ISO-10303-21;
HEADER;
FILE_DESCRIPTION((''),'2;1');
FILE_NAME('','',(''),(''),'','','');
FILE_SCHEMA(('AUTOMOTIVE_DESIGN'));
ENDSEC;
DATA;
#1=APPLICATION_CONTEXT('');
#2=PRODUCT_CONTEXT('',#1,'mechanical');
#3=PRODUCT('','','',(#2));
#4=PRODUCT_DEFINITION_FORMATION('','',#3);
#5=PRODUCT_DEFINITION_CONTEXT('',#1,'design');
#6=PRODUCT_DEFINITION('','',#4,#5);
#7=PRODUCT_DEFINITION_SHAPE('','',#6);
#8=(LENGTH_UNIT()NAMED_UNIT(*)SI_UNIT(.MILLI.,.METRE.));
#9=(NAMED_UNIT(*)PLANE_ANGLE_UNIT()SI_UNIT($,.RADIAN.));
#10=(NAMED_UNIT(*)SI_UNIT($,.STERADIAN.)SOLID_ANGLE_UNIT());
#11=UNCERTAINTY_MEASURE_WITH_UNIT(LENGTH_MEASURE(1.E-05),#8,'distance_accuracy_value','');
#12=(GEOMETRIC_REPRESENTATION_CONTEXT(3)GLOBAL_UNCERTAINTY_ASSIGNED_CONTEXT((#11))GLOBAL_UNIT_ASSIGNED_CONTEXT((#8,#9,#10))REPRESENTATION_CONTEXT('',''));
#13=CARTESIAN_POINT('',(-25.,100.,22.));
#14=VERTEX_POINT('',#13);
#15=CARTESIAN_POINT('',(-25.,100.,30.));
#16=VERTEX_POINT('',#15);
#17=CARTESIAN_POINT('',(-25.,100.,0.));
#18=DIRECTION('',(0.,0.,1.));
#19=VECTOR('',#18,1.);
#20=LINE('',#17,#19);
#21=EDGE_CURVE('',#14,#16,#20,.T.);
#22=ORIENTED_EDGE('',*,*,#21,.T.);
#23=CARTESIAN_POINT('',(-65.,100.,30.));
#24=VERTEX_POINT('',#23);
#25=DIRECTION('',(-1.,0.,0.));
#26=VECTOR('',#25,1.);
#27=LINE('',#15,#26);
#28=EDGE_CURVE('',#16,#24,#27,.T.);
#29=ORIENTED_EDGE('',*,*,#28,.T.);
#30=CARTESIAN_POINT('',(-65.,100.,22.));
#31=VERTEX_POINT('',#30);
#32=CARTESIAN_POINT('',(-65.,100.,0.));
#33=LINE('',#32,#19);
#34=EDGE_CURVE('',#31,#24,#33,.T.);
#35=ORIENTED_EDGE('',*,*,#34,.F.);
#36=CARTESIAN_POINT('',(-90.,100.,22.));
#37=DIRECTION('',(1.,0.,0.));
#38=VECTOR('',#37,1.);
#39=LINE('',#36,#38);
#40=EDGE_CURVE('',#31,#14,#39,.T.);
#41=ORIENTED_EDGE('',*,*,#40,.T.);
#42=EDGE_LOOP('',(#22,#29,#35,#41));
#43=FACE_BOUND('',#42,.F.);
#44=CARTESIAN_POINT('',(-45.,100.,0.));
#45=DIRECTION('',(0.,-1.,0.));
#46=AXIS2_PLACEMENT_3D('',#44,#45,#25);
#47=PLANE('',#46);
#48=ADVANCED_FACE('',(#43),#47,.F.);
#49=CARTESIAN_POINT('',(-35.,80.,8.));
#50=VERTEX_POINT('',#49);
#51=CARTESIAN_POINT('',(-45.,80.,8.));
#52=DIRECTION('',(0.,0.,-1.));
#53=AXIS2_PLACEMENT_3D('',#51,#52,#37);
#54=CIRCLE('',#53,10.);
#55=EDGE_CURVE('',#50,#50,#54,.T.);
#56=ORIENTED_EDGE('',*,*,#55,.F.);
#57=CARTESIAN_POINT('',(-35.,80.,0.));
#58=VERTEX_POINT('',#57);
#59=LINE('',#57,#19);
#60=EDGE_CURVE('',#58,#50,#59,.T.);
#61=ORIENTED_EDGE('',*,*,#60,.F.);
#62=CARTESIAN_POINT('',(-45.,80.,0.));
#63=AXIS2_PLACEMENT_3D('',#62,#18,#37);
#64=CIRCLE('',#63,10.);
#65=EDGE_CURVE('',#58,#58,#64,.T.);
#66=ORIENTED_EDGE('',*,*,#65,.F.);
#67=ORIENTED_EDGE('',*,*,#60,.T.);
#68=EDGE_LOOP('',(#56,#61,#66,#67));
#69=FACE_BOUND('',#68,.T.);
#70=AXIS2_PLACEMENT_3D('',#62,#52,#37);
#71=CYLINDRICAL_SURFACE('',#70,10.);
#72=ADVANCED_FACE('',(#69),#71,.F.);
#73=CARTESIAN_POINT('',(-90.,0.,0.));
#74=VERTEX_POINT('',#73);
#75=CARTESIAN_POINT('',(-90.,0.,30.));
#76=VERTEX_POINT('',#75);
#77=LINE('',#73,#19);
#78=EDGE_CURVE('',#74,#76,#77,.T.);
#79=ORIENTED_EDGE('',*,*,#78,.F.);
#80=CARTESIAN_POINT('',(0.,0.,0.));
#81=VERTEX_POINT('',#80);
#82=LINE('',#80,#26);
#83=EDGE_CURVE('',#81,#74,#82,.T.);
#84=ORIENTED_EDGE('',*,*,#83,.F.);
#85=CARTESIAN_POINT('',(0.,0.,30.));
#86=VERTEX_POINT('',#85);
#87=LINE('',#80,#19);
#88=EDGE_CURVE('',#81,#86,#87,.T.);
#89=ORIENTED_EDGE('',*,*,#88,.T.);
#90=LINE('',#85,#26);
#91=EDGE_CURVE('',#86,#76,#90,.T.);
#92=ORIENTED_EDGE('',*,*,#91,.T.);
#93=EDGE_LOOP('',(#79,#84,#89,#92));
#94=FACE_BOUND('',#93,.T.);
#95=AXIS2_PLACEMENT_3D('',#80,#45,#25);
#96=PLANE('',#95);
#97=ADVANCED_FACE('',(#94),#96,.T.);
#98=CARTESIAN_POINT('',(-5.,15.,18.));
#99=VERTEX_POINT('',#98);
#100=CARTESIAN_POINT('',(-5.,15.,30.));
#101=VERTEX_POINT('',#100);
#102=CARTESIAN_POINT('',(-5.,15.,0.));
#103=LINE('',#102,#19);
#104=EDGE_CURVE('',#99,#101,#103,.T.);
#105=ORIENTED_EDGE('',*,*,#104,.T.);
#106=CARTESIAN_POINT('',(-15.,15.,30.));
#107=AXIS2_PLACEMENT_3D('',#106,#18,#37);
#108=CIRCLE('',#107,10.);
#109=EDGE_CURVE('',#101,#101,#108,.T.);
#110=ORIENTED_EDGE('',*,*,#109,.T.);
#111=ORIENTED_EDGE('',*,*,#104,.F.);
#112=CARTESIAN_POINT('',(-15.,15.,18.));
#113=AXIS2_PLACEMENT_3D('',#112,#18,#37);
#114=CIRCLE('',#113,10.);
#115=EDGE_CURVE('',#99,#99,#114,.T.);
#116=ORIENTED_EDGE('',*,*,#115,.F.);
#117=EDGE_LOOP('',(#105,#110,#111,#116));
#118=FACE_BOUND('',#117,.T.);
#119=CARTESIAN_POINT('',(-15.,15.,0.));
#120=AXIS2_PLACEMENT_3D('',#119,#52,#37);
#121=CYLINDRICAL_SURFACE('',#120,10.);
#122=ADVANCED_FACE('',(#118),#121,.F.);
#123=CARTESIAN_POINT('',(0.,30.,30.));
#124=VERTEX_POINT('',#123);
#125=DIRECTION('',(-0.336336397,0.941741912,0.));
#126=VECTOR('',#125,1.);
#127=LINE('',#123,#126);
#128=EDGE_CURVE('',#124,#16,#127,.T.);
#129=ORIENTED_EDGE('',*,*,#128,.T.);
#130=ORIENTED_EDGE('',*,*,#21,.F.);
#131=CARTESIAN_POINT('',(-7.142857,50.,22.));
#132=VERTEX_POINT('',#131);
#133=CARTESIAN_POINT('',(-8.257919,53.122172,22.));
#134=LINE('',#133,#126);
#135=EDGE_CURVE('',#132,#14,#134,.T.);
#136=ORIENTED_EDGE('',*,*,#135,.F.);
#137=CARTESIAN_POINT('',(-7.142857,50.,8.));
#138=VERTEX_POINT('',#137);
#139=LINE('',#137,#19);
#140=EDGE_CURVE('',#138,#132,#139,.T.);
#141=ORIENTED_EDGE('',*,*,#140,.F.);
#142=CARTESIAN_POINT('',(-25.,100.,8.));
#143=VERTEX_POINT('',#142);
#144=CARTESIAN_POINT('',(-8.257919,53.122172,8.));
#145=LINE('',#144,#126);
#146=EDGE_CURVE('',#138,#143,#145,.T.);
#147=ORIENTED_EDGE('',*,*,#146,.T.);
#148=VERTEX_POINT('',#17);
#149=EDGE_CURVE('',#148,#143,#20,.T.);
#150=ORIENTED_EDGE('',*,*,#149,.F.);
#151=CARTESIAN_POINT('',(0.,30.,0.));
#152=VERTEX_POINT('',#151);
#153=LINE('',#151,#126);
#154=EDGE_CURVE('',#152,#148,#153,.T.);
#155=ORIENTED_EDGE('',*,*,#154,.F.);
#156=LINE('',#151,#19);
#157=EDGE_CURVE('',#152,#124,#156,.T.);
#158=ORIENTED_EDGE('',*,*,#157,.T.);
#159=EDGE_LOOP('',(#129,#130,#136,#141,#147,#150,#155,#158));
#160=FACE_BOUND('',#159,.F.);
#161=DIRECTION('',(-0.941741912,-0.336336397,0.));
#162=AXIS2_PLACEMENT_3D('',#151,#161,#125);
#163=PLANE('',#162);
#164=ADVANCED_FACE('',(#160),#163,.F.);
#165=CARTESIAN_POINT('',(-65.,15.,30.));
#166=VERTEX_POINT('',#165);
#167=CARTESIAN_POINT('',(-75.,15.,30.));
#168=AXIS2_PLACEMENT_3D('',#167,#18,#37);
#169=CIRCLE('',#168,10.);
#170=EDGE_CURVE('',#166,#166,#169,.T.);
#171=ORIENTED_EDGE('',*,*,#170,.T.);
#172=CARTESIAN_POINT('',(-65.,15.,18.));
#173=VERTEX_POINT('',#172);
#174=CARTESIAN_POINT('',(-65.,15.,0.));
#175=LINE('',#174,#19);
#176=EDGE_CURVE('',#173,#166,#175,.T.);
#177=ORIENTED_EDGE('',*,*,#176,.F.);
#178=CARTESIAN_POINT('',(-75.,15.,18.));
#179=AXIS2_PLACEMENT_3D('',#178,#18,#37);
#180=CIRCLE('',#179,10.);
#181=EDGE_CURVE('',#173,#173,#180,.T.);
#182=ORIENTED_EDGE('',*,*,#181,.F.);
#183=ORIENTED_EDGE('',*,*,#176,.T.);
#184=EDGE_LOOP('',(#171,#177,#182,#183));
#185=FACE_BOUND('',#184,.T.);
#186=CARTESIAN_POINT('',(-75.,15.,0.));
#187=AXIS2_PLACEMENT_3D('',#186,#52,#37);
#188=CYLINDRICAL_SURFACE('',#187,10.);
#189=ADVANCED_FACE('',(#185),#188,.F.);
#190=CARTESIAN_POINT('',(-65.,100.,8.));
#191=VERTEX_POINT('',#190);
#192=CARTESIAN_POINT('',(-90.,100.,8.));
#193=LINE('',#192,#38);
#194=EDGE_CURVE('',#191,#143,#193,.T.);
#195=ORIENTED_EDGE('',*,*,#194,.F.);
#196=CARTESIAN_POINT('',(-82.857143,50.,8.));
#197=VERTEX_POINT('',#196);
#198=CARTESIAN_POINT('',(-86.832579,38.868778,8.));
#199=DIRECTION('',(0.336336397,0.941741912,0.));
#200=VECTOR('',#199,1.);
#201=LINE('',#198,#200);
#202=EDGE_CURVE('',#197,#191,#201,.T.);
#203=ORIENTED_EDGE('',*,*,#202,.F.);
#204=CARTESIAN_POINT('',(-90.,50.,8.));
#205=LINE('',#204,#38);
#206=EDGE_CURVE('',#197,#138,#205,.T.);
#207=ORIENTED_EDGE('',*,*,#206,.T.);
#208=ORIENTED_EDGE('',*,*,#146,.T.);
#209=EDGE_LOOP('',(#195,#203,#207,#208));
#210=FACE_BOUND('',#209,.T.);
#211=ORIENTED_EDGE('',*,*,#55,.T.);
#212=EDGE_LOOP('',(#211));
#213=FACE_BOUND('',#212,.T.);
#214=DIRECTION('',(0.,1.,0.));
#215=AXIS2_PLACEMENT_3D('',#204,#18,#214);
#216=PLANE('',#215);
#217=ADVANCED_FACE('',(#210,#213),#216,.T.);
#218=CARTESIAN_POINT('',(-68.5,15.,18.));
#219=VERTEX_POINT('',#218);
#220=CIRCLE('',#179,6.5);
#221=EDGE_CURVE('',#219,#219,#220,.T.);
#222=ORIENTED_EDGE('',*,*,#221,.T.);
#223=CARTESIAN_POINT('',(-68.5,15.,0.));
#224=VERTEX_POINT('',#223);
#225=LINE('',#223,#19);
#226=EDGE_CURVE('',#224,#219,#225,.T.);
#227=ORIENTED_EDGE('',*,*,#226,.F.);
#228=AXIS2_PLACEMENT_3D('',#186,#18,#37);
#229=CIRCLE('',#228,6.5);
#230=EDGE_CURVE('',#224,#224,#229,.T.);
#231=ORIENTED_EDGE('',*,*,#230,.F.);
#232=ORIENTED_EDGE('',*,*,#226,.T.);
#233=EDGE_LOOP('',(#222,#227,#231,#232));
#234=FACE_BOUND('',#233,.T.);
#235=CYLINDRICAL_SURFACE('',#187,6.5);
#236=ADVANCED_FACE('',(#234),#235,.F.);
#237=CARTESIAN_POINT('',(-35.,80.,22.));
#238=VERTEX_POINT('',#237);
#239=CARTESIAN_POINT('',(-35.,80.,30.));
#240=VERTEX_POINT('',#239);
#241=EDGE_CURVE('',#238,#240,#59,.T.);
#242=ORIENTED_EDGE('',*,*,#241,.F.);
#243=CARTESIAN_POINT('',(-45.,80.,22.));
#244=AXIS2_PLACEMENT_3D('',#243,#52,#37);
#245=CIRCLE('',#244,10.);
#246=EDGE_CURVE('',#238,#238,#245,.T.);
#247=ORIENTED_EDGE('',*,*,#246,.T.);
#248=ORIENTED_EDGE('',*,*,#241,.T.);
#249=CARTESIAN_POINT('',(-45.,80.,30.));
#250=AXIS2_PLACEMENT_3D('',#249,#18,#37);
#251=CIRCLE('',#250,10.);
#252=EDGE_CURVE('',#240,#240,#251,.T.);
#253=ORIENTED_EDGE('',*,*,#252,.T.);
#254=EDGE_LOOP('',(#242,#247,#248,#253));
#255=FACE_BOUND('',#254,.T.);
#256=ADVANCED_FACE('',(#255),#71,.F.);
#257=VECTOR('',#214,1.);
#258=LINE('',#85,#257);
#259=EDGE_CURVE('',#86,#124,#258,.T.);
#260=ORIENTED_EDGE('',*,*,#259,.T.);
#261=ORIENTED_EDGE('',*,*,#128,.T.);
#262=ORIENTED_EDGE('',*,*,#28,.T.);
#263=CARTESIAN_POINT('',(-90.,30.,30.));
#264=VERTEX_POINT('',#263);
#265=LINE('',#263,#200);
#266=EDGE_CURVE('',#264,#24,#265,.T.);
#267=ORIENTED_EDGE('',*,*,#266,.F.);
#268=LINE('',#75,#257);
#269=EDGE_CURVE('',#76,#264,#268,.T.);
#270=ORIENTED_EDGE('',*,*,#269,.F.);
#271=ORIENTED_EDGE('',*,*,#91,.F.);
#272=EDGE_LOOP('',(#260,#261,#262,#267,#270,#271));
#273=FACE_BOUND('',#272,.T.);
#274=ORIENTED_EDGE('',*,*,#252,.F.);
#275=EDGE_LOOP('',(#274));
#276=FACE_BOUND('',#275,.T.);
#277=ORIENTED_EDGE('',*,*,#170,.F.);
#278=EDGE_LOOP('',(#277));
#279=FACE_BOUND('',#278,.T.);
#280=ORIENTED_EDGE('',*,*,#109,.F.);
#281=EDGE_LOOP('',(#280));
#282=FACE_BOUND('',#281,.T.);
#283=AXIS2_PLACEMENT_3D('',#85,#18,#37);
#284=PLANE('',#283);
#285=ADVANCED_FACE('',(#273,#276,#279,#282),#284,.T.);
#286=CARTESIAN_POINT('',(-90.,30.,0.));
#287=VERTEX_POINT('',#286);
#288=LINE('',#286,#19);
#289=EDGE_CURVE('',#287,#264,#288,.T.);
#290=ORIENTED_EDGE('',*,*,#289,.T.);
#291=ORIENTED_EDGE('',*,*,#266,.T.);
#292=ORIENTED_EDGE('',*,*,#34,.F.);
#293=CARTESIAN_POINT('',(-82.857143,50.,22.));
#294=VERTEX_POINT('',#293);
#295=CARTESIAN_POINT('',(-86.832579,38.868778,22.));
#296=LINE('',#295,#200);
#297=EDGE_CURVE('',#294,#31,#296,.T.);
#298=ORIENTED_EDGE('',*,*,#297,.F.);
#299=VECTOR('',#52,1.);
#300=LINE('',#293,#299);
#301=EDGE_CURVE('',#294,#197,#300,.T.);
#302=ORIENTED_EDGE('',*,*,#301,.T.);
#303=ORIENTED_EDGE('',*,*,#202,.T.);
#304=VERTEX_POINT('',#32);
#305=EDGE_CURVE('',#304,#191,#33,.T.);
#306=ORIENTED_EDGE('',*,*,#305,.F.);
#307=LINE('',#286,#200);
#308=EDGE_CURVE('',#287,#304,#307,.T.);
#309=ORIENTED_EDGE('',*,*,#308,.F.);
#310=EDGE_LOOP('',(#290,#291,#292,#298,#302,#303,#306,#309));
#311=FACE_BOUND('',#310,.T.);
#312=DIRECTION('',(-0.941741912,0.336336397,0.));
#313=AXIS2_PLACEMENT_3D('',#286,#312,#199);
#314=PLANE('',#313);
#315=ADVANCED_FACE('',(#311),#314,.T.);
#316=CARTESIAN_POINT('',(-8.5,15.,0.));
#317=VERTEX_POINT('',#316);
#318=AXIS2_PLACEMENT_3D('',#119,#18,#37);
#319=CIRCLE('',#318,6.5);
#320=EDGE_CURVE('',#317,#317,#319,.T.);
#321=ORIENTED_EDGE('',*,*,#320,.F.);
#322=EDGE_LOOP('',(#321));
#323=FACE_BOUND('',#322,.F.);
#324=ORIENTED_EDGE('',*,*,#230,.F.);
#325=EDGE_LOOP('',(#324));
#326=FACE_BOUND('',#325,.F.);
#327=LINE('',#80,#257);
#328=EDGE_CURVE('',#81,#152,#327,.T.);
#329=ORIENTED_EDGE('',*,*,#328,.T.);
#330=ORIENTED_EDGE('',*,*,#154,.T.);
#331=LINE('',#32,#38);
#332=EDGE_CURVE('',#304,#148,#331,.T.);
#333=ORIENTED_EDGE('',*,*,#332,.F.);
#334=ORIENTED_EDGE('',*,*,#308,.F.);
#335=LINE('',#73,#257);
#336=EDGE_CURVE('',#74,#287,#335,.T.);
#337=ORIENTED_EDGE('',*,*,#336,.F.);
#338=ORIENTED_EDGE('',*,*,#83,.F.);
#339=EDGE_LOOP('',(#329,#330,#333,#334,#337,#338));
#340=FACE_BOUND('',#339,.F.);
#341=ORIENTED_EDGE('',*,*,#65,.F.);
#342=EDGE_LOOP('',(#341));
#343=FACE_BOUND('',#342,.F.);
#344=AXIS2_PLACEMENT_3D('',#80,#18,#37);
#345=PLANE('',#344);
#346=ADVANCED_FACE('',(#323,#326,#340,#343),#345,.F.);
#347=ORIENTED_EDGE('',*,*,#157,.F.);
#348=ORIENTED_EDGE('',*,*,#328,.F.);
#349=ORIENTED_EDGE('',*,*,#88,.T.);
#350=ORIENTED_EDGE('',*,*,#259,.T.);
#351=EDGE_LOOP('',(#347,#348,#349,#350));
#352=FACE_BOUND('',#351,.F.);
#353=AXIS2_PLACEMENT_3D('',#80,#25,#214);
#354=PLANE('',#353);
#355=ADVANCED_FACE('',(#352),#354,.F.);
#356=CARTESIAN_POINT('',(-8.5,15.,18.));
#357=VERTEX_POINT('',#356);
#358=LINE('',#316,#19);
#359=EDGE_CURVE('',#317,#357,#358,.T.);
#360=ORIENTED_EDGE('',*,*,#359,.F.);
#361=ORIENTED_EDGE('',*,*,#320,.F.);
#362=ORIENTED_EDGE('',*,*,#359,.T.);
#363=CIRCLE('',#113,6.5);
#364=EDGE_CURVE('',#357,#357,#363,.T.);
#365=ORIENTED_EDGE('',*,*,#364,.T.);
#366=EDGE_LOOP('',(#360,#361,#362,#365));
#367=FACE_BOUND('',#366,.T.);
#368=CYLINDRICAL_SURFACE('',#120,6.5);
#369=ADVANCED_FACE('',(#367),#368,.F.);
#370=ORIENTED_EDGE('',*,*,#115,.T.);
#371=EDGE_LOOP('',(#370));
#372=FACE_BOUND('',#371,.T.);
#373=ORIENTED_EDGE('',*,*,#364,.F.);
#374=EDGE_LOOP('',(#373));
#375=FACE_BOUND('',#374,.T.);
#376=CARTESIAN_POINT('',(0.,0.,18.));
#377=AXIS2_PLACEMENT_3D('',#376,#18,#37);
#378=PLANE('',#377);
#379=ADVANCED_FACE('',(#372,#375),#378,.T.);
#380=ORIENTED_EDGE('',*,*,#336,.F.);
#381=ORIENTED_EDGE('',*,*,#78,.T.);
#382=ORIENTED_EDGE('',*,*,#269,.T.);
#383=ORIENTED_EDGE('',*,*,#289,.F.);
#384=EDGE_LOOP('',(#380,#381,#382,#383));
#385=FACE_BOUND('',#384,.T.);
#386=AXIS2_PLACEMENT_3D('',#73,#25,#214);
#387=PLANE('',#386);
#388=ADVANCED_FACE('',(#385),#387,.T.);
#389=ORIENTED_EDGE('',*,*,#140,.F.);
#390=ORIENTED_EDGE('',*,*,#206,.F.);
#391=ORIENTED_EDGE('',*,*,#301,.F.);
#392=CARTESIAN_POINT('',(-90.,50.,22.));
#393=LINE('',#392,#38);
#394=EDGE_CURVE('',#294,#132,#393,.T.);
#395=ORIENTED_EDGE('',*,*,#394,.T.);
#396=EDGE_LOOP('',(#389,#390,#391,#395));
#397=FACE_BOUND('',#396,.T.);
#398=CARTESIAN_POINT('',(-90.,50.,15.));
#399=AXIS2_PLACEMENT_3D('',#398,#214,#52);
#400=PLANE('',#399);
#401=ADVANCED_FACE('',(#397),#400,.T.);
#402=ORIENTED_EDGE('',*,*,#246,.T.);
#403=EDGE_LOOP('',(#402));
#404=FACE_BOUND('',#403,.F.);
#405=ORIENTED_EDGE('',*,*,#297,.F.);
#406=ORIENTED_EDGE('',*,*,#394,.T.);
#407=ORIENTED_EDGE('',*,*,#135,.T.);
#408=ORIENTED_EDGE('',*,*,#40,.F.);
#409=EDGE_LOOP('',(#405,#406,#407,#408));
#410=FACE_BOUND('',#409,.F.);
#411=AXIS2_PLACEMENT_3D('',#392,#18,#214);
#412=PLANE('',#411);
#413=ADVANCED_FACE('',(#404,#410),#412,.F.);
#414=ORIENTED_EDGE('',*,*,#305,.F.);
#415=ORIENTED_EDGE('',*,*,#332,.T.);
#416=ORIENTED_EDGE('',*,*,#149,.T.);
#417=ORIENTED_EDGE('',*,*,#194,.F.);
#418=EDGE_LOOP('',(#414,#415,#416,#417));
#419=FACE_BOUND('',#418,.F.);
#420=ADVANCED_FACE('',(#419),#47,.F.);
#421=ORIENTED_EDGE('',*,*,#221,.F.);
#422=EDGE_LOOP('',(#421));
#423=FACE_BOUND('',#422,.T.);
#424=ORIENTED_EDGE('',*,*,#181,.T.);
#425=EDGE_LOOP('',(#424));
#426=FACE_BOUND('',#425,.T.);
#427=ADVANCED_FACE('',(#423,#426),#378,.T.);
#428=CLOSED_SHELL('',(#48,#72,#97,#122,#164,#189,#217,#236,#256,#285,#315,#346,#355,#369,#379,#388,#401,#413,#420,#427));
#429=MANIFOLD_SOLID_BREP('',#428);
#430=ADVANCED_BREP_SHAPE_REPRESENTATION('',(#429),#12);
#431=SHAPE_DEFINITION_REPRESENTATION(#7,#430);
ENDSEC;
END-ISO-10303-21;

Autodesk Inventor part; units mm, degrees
ref_plane "YZ Plane" through (0, 0, 0) normal (1, 0, 0) x (0, 1, 0)
ref_plane "XZ Plane" through (0, 0, 0) normal (0, 1, 0) x (-1, 0, 0)
ref_plane "XY Plane" through (0, 0, 0) normal (0, 0, 1) x (1, 0, 0)
sketch "Náčrt1" plane through (0, 0, 0) normal (0, 0, 1) x (1, 0, 0)
  line L0 (0, 0) -> (-90, 0)
  line L1 (-90, 0) -> (-90, 30)
  line L2 (-45, 0) -> (-45, 128.8279) construction
  line L3 (-45, 100) -> (-65, 100)
  line L4 (-90, 30) -> (-65, 100)
  line L5 (0, 0) -> (0, 30)
  line L6 (-45, 100) -> (-25, 100)
  line L7 (0, 30) -> (-25, 100)
  circle A0 centre (-45, 80) radius 10
  circle A1 centre (-75, 15) radius 6.5
  circle A2 centre (-75, 15) radius 10
  circle A3 centre (-15, 15) radius 6.5
  circle A4 centre (-15, 15) radius 10
  dimension "d0" = 90
  dimension "d1" = 30
  dimension "d4" = 20
  dimension "d5" = 100
  dimension "d6" = 20
  dimension "d7" = 80
  dimension "d8" = 13
  dimension "d10" = 15
  dimension "d11" = 20
  dimension "d12" = 15
extrude "Vysunutí1" add sketch "Náčrt1" along normal blind 30 contours L0 L1 L4 L3 L6 L7 L5
sketch "Náčrt2" plane through (0, 0, 0) normal (0, 0, 1) x (1, 0, 0)
  circle A0 centre (-15, 15) radius 10 projected
  circle A1 centre (-75, 15) radius 10 projected
  circle A2 centre (-75, 15) radius 6.5
  circle A3 centre (-15, 15) radius 6.5
  point P0 (0, 0)
  dimension "d15" = 13
  dimension "d16" = 13
extrude "Vysunutí2" add sketch "Náčrt2" along normal blind 18
sketch "Náčrt3" plane through (-90, 0, 0) normal (-1, 0, 0) x (0, 0, 1)
  line L0 (0, 30) -> (30, 30) construction
  line L1 (15, 30) -> (15, 100) construction
  line L2 (0, 100) -> (30, 100) construction
  line L3 (15, 50) -> (22, 50)
  line L4 (22, 50) -> (22, 100)
  line L5 (22, 100) -> (15, 100)
  line L6 (30, 100) -> (0, 100) construction
  line L7 (15, 50) -> (8, 50)
  line L8 (8, 50) -> (8, 100)
  line L9 (8, 100) -> (15, 100)
  point P0 (0, 0)
  dimension "d19" = 7
  dimension "d20" = 50
extrude "Vysunutí3" cut sketch "Náčrt3" against normal through all
properties part number "Součást9"
